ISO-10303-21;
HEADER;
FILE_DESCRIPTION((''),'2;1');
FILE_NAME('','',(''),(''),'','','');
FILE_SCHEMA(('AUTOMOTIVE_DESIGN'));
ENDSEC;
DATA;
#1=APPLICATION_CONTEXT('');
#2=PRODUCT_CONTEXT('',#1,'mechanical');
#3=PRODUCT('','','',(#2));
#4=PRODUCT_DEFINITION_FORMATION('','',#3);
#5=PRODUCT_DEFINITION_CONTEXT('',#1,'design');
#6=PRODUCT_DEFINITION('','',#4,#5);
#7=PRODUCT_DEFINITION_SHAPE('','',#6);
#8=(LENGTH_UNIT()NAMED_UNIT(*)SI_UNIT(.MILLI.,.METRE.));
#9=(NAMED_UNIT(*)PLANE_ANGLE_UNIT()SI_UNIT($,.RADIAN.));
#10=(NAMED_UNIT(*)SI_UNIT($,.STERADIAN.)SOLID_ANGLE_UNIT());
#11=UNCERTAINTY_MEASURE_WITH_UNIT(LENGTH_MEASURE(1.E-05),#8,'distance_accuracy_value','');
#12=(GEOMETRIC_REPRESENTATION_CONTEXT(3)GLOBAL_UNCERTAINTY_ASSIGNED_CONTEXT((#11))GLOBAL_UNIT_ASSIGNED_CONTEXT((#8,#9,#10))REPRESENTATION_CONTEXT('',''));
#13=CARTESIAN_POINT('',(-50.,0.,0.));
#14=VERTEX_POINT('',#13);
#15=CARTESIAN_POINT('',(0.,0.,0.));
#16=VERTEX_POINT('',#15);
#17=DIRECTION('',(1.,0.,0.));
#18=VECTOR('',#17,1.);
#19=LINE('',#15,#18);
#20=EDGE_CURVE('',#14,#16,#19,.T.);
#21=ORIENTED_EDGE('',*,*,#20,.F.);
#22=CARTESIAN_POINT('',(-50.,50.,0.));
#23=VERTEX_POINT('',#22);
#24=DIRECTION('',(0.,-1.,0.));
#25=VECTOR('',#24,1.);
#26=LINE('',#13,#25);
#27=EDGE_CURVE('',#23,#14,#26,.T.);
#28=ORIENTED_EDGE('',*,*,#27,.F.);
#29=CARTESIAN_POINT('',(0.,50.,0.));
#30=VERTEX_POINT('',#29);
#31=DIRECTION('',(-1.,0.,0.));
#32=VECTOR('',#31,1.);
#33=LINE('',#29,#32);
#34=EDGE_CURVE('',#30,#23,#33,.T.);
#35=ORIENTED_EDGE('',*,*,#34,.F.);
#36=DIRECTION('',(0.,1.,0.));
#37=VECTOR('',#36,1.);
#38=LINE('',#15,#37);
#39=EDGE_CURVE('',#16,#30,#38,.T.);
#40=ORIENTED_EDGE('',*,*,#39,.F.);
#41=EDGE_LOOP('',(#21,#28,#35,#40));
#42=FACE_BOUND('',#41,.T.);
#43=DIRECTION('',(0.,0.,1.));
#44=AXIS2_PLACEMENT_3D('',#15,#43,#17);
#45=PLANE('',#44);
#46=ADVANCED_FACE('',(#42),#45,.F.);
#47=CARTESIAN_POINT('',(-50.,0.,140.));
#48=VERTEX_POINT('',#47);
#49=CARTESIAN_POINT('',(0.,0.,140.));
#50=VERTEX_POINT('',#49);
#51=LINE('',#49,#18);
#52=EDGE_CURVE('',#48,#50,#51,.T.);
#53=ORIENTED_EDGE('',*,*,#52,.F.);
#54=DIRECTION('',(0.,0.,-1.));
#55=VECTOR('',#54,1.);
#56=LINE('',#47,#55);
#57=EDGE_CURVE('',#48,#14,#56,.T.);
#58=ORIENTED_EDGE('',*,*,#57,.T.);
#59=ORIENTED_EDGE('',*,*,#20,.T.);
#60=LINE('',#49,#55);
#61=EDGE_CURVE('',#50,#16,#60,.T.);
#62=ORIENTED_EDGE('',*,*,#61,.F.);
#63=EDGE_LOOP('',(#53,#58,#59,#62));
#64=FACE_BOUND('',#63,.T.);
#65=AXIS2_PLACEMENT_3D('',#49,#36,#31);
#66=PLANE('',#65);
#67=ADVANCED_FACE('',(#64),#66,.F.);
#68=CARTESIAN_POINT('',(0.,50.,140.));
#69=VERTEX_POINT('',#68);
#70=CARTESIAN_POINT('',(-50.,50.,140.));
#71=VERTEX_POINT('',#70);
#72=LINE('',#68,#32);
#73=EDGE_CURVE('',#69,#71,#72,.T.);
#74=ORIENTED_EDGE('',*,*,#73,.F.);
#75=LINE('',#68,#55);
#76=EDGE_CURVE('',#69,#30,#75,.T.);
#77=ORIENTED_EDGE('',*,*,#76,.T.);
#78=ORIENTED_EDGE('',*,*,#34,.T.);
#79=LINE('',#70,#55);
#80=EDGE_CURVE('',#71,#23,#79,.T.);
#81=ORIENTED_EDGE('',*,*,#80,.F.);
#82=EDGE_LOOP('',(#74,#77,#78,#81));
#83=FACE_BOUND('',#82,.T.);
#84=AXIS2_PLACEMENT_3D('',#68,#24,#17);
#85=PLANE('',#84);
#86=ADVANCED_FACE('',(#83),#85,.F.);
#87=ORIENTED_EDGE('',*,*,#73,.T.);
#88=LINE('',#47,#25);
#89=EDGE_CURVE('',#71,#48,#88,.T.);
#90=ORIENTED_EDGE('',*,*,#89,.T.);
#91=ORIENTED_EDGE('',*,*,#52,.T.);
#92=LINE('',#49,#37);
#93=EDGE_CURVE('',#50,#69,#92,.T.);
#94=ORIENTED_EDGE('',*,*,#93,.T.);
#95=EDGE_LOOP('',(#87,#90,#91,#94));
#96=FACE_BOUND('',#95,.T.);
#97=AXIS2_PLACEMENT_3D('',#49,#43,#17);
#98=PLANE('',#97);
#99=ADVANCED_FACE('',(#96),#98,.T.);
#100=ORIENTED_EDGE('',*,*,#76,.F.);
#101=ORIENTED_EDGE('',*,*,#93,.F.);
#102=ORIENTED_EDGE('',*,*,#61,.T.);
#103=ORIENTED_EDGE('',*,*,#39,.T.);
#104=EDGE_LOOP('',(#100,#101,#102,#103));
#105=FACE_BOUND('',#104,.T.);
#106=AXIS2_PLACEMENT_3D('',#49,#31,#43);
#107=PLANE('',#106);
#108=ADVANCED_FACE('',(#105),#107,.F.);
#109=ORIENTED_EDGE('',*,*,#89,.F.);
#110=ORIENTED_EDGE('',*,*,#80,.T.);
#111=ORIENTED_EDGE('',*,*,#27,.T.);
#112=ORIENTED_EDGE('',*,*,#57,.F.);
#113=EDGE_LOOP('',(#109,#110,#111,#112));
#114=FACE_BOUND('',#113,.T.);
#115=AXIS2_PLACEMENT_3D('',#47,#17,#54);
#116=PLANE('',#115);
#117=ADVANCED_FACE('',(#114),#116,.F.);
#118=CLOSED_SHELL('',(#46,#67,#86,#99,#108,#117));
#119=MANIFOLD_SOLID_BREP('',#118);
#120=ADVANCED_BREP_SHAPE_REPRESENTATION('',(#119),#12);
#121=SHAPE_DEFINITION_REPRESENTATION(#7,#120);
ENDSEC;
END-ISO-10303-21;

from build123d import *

# Parameters (mm, degrees)
SKETCH1_W           = 50
SKETCH1_H           = 50
BOSS_EXTRUDE1_DEPTH = 140


with BuildPart() as part:
    # Sketch1 → Boss-Extrude1 (new body)
    with BuildSketch(Plane.XY):
        with Locations((-25, 25)):
            Rectangle(SKETCH1_W, SKETCH1_H)
    extrude(amount=BOSS_EXTRUDE1_DEPTH)


solid = part.part
